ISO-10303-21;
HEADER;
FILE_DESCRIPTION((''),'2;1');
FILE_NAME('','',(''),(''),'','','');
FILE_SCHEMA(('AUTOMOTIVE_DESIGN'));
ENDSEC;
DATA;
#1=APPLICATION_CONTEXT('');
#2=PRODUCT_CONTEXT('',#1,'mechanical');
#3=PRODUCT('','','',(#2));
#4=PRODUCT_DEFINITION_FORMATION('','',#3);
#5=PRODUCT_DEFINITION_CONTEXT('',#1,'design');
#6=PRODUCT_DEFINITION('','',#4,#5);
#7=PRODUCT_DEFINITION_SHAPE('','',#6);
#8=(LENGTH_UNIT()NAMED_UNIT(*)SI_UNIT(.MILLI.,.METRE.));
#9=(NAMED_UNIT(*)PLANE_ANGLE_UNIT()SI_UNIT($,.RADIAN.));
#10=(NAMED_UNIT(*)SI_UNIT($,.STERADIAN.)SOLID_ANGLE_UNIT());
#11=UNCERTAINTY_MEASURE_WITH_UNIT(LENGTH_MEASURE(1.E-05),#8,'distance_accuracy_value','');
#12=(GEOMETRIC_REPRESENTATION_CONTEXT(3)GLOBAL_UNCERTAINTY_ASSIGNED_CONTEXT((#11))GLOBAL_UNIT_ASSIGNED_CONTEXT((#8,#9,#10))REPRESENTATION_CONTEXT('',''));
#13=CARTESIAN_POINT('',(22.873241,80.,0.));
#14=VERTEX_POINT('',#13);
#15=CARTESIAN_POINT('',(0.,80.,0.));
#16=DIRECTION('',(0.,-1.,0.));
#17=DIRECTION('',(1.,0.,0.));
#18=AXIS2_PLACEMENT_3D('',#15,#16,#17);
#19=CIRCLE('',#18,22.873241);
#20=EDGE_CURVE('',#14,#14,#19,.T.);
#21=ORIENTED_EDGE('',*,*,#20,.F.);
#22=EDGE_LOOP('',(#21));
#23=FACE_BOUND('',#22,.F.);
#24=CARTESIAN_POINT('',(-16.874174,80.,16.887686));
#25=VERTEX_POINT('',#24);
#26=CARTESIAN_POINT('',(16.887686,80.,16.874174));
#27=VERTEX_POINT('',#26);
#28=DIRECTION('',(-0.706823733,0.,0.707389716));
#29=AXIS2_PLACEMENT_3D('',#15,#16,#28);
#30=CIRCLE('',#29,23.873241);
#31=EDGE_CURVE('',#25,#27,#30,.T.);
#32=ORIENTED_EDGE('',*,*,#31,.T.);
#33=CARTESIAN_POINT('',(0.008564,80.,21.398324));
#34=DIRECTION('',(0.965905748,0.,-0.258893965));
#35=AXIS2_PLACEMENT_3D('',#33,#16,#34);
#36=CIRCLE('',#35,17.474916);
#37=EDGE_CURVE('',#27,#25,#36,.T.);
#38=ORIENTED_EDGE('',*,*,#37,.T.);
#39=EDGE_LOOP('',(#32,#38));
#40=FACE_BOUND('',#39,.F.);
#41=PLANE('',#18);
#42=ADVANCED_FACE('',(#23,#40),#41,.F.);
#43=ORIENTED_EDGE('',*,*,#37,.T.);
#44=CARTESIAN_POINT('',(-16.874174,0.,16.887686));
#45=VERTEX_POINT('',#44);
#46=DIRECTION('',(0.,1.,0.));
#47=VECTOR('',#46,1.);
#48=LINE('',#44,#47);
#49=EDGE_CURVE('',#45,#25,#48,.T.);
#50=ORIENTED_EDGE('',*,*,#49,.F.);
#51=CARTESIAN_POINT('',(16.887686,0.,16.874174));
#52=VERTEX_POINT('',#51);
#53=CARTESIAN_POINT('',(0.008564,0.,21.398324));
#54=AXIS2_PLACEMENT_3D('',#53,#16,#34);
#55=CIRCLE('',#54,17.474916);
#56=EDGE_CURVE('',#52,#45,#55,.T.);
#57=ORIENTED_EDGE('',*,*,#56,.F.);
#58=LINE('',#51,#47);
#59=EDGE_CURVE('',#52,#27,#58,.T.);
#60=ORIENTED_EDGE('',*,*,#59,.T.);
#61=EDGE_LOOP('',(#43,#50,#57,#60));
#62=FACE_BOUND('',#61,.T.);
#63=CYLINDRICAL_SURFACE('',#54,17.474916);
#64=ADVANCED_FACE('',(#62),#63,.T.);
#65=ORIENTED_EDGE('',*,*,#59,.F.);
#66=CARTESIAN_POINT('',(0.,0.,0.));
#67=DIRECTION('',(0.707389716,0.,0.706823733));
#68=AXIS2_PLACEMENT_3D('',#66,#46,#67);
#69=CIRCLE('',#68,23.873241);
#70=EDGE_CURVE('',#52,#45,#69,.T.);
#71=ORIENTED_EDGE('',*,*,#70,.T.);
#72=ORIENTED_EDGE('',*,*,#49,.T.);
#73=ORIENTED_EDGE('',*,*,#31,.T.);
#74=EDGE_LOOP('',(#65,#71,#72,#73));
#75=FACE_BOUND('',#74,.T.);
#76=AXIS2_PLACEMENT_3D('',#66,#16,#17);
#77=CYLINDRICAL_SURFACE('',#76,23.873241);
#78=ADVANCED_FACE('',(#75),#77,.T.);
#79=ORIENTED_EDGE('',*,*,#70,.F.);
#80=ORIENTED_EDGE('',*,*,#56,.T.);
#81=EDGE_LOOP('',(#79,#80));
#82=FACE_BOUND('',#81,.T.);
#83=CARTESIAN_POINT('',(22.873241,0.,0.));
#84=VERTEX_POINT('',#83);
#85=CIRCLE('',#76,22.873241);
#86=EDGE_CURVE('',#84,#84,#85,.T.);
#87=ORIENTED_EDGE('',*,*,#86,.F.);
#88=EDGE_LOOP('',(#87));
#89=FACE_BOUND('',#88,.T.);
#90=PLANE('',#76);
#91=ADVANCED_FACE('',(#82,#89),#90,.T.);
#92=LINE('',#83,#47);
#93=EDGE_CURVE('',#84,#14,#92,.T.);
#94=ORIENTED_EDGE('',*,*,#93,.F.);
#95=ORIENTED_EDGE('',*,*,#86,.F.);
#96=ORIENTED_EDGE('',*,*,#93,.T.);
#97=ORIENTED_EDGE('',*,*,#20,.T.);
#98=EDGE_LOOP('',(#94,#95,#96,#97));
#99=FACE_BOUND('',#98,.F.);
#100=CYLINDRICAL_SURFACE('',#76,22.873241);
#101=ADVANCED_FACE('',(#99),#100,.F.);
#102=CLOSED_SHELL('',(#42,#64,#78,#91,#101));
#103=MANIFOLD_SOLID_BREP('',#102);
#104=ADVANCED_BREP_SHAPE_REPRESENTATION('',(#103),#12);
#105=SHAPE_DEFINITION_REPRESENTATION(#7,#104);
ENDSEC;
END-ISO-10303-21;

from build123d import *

# Parameters (mm, degrees)
F0_R     = 23.8732414638
F1_DEPTH = 80
F2_R     = 22.8732414638
F3_DEPTH = 80
F5_DEPTH = 80


with BuildPart() as f1:
    # F0 (on Front) → F1 (new body)
    with BuildSketch(Plane.XZ):
        Circle(F0_R)
    extrude(amount=-F1_DEPTH)

    # F2 (on face) → F3 (cut)
    with BuildSketch(Plane.XZ):
        Circle(F2_R)
    extrude(amount=-F3_DEPTH, mode=Mode.SUBTRACT)

    # F4 (on face) → F5 (join)
    with BuildSketch(Plane.XZ):
        with BuildLine():
            ThreePointArc((-16.8741736493, 16.8876855028), (0.0095543232, 23.8732395519), (16.8876855028, 16.8741736493))
            ThreePointArc((16.8876855028, 16.8741736493), (0.0155574816, 38.8732383507), (-16.8741736493, 16.8876855028))
        make_face()
    extrude(amount=-F5_DEPTH)


solid = f1.part
